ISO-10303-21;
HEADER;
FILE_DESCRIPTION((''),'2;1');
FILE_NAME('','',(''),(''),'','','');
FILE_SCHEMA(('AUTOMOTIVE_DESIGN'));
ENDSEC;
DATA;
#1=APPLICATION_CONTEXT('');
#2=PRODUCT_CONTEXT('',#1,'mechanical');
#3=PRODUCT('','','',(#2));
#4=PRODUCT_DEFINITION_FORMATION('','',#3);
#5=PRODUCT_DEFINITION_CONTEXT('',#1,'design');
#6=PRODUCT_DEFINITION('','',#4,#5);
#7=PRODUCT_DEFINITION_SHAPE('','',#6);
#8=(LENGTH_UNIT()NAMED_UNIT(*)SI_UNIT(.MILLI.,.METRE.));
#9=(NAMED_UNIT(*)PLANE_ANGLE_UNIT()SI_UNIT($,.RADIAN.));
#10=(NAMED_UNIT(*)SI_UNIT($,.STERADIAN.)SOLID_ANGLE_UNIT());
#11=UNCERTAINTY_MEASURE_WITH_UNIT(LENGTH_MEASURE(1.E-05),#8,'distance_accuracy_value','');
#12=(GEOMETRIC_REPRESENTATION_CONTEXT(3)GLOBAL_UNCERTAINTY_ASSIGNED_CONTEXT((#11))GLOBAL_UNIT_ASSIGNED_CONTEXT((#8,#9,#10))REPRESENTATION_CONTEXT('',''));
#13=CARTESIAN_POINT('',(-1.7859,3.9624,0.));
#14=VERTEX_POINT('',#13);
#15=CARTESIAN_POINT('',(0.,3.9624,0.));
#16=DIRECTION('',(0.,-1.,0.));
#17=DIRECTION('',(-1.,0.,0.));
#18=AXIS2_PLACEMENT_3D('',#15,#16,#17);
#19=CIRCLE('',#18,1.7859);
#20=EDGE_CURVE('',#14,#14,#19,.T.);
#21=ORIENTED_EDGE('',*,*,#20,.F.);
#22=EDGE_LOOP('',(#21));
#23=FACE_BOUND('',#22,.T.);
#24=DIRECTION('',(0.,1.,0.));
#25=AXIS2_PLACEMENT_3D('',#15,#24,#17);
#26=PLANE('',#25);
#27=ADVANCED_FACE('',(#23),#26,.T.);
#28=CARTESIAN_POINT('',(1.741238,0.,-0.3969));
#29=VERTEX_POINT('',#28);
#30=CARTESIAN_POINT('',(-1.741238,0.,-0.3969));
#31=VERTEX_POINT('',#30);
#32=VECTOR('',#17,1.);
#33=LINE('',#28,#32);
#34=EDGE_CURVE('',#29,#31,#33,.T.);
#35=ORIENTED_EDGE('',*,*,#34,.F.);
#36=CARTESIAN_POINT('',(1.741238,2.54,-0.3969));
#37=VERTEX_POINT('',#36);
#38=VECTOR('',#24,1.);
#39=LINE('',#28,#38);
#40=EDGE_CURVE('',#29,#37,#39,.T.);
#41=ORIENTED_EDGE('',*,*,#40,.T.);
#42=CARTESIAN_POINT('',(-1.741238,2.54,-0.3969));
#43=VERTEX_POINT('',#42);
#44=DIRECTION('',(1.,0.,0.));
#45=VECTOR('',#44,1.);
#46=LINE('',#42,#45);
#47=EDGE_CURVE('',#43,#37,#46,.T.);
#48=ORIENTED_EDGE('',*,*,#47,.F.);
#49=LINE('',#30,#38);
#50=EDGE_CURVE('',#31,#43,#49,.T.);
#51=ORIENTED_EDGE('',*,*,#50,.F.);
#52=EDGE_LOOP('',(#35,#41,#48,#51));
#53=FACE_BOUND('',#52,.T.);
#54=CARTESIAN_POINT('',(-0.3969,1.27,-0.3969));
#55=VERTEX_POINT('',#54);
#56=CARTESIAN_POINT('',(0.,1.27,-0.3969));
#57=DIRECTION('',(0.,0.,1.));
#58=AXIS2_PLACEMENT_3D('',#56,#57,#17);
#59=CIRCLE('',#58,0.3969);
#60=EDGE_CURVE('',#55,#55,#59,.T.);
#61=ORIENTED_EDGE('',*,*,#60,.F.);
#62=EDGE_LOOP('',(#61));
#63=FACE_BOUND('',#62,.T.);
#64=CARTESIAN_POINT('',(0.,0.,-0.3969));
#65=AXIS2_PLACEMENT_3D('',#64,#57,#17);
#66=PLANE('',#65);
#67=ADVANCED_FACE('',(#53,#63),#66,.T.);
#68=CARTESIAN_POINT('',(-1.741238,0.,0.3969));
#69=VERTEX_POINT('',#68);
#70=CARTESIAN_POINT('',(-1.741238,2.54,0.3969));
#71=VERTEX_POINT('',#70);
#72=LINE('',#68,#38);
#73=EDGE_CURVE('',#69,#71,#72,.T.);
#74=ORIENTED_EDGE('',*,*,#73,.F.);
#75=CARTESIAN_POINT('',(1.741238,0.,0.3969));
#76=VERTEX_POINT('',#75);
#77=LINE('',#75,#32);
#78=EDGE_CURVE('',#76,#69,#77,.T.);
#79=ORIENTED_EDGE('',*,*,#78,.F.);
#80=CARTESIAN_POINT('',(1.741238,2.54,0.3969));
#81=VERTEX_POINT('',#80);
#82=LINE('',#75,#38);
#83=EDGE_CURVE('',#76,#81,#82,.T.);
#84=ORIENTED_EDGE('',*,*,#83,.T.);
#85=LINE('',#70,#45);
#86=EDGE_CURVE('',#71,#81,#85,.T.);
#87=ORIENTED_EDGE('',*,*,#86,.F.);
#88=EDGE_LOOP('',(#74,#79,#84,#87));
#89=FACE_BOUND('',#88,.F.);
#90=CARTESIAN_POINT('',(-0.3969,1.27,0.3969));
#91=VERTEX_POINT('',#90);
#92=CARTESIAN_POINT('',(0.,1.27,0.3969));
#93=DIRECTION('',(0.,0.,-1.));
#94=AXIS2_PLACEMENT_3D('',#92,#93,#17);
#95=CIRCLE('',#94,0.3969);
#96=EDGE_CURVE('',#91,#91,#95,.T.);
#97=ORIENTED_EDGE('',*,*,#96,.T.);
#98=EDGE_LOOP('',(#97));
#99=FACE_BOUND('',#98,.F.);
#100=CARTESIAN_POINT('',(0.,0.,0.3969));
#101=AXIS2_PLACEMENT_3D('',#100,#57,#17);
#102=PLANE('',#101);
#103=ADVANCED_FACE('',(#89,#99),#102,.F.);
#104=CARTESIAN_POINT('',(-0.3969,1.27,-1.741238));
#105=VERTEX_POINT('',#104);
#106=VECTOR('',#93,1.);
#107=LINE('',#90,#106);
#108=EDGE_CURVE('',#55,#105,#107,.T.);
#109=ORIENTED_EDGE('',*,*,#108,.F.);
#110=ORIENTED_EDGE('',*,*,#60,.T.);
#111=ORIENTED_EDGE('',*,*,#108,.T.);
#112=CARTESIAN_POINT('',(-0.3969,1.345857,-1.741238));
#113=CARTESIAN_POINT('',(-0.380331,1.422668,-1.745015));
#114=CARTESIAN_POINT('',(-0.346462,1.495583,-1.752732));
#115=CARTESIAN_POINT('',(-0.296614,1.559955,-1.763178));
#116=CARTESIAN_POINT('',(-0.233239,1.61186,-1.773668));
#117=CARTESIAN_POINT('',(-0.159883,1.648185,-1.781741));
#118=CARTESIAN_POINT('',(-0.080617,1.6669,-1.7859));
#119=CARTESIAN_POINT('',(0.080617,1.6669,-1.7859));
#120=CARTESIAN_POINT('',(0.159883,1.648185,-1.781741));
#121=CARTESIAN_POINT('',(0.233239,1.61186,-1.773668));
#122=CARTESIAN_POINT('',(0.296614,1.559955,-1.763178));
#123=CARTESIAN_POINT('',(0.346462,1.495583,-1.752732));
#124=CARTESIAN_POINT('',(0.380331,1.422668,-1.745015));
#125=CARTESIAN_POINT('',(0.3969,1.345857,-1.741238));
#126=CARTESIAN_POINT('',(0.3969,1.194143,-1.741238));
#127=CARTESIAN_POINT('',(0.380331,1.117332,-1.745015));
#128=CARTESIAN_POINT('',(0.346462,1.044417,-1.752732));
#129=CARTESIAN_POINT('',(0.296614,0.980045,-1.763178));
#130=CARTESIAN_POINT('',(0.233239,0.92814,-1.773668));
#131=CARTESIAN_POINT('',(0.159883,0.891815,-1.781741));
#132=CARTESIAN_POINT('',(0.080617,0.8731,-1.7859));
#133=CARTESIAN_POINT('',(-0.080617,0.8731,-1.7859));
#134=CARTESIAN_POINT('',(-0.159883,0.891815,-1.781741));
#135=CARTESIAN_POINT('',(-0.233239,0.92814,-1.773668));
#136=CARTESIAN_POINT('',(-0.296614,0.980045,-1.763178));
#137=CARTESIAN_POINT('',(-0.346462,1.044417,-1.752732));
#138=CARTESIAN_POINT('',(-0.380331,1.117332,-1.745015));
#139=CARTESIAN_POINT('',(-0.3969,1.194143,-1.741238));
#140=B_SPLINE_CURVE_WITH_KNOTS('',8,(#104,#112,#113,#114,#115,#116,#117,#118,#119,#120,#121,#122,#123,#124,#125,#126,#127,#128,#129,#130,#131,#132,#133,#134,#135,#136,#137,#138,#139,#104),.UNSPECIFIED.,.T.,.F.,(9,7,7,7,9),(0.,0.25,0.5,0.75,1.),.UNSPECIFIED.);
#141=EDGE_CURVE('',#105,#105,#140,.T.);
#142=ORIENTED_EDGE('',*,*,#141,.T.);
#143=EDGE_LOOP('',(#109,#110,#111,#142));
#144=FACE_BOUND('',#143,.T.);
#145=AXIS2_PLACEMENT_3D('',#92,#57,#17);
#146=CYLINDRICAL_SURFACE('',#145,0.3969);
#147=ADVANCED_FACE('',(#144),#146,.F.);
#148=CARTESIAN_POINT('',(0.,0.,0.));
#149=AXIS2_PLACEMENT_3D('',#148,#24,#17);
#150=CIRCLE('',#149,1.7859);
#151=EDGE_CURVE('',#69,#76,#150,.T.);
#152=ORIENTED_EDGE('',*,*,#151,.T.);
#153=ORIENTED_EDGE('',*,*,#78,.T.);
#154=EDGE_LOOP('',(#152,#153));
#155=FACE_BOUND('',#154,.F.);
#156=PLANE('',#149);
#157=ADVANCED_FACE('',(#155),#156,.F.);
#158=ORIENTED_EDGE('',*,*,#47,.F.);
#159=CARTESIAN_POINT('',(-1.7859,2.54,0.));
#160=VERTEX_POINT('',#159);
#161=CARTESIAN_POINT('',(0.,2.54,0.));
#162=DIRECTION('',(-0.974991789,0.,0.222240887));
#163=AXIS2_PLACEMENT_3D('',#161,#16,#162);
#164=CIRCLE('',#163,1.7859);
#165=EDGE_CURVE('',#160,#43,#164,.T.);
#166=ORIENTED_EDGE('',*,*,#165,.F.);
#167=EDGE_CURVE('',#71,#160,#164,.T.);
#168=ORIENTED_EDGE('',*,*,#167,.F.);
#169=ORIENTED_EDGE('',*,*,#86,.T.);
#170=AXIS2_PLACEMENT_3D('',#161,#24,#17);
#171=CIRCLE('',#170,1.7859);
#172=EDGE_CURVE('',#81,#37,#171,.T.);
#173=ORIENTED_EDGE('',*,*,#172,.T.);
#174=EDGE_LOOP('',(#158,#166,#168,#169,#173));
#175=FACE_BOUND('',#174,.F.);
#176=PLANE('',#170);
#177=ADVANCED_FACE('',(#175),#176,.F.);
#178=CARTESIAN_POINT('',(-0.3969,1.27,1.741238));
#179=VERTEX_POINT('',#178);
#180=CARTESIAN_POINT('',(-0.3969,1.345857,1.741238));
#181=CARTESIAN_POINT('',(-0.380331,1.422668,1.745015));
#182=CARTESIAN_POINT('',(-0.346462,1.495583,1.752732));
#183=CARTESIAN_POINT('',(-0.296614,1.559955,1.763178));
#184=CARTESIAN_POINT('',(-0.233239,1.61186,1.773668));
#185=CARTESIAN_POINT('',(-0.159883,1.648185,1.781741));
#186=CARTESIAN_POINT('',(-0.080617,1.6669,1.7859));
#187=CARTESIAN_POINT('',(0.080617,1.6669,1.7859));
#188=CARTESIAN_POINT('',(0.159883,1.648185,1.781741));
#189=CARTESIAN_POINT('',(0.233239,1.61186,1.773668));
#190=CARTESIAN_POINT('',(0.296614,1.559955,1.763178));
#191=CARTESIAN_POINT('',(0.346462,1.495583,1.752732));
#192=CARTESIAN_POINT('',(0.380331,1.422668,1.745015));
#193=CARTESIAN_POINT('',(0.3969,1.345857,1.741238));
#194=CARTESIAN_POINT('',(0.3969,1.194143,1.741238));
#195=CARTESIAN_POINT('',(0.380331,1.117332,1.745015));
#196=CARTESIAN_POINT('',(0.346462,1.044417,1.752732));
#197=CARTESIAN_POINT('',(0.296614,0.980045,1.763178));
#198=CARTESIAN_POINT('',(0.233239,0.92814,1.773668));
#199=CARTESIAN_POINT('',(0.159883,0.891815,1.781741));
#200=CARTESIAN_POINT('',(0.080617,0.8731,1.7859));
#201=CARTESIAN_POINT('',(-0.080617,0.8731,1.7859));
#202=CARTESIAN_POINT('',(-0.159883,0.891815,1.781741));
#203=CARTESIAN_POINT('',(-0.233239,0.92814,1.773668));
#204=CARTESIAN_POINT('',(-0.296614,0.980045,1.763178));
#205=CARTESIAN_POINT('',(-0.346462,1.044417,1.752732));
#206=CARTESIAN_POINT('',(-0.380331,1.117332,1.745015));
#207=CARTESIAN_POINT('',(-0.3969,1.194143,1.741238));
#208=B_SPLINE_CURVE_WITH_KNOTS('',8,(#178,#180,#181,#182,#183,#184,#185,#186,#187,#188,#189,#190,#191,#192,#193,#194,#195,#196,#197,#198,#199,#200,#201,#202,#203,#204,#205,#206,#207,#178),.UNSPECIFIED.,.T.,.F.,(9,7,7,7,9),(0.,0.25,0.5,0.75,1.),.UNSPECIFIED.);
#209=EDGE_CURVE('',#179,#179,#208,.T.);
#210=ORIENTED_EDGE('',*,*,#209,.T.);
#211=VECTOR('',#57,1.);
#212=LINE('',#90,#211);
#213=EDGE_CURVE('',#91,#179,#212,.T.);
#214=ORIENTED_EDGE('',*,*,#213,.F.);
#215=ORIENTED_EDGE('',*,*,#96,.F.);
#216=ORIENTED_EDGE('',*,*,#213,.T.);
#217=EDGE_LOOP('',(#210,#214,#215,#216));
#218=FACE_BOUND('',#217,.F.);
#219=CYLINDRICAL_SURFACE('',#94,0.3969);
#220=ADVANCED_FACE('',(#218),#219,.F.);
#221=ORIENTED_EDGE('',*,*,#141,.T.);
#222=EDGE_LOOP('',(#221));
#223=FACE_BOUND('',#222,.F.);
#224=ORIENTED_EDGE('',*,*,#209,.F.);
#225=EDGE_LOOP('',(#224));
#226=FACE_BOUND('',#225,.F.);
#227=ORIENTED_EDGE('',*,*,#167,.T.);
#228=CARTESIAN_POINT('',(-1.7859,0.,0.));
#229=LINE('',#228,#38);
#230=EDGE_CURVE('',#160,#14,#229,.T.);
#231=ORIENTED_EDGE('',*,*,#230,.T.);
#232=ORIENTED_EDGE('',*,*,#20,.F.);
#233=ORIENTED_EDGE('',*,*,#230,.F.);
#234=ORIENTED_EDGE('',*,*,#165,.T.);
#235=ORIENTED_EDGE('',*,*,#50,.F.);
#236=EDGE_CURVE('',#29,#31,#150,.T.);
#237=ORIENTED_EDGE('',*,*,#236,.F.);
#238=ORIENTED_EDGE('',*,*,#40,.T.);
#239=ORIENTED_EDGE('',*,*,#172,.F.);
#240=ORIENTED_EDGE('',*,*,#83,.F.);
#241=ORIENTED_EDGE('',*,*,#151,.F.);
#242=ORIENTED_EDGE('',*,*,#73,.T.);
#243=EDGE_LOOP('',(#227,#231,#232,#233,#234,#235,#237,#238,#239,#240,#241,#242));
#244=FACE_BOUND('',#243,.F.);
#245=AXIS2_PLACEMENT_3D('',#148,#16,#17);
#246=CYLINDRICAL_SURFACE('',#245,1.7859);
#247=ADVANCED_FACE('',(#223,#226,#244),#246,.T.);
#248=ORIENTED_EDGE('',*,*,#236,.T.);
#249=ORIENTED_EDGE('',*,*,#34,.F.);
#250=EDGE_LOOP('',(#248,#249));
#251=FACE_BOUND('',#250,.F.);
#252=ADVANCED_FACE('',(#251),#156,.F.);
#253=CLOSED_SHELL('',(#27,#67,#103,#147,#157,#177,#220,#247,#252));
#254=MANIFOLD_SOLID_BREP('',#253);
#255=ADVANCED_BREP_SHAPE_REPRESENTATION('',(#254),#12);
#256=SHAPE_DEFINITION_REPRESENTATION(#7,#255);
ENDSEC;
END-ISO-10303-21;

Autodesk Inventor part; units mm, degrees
ref_plane "YZ Plane" through (0, 0, 0) normal (1, 0, 0) x (0, 1, 0)
ref_plane "XZ Plane" through (0, 0, 0) normal (0, 1, 0) x (-1, 0, 0)
ref_plane "XY Plane" through (0, 0, 0) normal (0, 0, 1) x (1, 0, 0)
sketch "Sketch1" plane through (0, 0, 0) normal (0, 1, 0) x (-1, 0, 0)
  circle A0 centre (0, 0) radius 1.7859
  circle A1 centre (0, 0) radius 2.3813
  line L0 (0, 0) -> (0, -0.3969)
  line L1 (0, -0.3969) -> (0, 0.3969)
  line L2 (0, 0.3969) -> (-2.3479, 0.3969)
  line L3 (-1.8581, 0.3969) -> (2.3479, 0.3969)
  line L4 (0, -0.3969) -> (2.3479, -0.3969)
  line L5 (1.8199, -0.3969) -> (-2.3479, -0.3969)
  point P0 (-1.7413, -0.3969)
  point P1 (1.7413, -0.3969)
  point P2 (1.7413, 0.3969)
  point P3 (-1.7413, 0.3969)
  dimension "d1" = 3.5719
  dimension "d2" = 4.7625
  dimension "d3" = 0.3969
  dimension "d4" = 0.7937
extrude "Extrusion1" add sketch "Sketch1" along normal blind 3.9624 contours A0 L4 L0 L1 L3 | L3 L2 A0 | A0 L5 L4 | L2 L1 L0 L5 A0
extrude "Extrusion2" cut sketch "Sketch1" along normal blind 2.54 contours A0 L4 L0 L1 L3 | L2 L1 L0 L5 A0
sketch "Sketch2" plane through (1.7413, 0, 0.3969) normal (0, 0, -1) x (-1, 0, 0)
  circle A0 centre (1.7413, 1.27) radius 0.3969
  line L0 (3.4826, 0) -> (0, 0) projected
  point P0 (1.7413, 0)
  dimension "d9" = 0.7937
  dimension "d10" = 1.27
extrude "Extrusion3" cut sketch "Sketch2" along normal mid plane 25.4
properties part number "Piston Connector"
